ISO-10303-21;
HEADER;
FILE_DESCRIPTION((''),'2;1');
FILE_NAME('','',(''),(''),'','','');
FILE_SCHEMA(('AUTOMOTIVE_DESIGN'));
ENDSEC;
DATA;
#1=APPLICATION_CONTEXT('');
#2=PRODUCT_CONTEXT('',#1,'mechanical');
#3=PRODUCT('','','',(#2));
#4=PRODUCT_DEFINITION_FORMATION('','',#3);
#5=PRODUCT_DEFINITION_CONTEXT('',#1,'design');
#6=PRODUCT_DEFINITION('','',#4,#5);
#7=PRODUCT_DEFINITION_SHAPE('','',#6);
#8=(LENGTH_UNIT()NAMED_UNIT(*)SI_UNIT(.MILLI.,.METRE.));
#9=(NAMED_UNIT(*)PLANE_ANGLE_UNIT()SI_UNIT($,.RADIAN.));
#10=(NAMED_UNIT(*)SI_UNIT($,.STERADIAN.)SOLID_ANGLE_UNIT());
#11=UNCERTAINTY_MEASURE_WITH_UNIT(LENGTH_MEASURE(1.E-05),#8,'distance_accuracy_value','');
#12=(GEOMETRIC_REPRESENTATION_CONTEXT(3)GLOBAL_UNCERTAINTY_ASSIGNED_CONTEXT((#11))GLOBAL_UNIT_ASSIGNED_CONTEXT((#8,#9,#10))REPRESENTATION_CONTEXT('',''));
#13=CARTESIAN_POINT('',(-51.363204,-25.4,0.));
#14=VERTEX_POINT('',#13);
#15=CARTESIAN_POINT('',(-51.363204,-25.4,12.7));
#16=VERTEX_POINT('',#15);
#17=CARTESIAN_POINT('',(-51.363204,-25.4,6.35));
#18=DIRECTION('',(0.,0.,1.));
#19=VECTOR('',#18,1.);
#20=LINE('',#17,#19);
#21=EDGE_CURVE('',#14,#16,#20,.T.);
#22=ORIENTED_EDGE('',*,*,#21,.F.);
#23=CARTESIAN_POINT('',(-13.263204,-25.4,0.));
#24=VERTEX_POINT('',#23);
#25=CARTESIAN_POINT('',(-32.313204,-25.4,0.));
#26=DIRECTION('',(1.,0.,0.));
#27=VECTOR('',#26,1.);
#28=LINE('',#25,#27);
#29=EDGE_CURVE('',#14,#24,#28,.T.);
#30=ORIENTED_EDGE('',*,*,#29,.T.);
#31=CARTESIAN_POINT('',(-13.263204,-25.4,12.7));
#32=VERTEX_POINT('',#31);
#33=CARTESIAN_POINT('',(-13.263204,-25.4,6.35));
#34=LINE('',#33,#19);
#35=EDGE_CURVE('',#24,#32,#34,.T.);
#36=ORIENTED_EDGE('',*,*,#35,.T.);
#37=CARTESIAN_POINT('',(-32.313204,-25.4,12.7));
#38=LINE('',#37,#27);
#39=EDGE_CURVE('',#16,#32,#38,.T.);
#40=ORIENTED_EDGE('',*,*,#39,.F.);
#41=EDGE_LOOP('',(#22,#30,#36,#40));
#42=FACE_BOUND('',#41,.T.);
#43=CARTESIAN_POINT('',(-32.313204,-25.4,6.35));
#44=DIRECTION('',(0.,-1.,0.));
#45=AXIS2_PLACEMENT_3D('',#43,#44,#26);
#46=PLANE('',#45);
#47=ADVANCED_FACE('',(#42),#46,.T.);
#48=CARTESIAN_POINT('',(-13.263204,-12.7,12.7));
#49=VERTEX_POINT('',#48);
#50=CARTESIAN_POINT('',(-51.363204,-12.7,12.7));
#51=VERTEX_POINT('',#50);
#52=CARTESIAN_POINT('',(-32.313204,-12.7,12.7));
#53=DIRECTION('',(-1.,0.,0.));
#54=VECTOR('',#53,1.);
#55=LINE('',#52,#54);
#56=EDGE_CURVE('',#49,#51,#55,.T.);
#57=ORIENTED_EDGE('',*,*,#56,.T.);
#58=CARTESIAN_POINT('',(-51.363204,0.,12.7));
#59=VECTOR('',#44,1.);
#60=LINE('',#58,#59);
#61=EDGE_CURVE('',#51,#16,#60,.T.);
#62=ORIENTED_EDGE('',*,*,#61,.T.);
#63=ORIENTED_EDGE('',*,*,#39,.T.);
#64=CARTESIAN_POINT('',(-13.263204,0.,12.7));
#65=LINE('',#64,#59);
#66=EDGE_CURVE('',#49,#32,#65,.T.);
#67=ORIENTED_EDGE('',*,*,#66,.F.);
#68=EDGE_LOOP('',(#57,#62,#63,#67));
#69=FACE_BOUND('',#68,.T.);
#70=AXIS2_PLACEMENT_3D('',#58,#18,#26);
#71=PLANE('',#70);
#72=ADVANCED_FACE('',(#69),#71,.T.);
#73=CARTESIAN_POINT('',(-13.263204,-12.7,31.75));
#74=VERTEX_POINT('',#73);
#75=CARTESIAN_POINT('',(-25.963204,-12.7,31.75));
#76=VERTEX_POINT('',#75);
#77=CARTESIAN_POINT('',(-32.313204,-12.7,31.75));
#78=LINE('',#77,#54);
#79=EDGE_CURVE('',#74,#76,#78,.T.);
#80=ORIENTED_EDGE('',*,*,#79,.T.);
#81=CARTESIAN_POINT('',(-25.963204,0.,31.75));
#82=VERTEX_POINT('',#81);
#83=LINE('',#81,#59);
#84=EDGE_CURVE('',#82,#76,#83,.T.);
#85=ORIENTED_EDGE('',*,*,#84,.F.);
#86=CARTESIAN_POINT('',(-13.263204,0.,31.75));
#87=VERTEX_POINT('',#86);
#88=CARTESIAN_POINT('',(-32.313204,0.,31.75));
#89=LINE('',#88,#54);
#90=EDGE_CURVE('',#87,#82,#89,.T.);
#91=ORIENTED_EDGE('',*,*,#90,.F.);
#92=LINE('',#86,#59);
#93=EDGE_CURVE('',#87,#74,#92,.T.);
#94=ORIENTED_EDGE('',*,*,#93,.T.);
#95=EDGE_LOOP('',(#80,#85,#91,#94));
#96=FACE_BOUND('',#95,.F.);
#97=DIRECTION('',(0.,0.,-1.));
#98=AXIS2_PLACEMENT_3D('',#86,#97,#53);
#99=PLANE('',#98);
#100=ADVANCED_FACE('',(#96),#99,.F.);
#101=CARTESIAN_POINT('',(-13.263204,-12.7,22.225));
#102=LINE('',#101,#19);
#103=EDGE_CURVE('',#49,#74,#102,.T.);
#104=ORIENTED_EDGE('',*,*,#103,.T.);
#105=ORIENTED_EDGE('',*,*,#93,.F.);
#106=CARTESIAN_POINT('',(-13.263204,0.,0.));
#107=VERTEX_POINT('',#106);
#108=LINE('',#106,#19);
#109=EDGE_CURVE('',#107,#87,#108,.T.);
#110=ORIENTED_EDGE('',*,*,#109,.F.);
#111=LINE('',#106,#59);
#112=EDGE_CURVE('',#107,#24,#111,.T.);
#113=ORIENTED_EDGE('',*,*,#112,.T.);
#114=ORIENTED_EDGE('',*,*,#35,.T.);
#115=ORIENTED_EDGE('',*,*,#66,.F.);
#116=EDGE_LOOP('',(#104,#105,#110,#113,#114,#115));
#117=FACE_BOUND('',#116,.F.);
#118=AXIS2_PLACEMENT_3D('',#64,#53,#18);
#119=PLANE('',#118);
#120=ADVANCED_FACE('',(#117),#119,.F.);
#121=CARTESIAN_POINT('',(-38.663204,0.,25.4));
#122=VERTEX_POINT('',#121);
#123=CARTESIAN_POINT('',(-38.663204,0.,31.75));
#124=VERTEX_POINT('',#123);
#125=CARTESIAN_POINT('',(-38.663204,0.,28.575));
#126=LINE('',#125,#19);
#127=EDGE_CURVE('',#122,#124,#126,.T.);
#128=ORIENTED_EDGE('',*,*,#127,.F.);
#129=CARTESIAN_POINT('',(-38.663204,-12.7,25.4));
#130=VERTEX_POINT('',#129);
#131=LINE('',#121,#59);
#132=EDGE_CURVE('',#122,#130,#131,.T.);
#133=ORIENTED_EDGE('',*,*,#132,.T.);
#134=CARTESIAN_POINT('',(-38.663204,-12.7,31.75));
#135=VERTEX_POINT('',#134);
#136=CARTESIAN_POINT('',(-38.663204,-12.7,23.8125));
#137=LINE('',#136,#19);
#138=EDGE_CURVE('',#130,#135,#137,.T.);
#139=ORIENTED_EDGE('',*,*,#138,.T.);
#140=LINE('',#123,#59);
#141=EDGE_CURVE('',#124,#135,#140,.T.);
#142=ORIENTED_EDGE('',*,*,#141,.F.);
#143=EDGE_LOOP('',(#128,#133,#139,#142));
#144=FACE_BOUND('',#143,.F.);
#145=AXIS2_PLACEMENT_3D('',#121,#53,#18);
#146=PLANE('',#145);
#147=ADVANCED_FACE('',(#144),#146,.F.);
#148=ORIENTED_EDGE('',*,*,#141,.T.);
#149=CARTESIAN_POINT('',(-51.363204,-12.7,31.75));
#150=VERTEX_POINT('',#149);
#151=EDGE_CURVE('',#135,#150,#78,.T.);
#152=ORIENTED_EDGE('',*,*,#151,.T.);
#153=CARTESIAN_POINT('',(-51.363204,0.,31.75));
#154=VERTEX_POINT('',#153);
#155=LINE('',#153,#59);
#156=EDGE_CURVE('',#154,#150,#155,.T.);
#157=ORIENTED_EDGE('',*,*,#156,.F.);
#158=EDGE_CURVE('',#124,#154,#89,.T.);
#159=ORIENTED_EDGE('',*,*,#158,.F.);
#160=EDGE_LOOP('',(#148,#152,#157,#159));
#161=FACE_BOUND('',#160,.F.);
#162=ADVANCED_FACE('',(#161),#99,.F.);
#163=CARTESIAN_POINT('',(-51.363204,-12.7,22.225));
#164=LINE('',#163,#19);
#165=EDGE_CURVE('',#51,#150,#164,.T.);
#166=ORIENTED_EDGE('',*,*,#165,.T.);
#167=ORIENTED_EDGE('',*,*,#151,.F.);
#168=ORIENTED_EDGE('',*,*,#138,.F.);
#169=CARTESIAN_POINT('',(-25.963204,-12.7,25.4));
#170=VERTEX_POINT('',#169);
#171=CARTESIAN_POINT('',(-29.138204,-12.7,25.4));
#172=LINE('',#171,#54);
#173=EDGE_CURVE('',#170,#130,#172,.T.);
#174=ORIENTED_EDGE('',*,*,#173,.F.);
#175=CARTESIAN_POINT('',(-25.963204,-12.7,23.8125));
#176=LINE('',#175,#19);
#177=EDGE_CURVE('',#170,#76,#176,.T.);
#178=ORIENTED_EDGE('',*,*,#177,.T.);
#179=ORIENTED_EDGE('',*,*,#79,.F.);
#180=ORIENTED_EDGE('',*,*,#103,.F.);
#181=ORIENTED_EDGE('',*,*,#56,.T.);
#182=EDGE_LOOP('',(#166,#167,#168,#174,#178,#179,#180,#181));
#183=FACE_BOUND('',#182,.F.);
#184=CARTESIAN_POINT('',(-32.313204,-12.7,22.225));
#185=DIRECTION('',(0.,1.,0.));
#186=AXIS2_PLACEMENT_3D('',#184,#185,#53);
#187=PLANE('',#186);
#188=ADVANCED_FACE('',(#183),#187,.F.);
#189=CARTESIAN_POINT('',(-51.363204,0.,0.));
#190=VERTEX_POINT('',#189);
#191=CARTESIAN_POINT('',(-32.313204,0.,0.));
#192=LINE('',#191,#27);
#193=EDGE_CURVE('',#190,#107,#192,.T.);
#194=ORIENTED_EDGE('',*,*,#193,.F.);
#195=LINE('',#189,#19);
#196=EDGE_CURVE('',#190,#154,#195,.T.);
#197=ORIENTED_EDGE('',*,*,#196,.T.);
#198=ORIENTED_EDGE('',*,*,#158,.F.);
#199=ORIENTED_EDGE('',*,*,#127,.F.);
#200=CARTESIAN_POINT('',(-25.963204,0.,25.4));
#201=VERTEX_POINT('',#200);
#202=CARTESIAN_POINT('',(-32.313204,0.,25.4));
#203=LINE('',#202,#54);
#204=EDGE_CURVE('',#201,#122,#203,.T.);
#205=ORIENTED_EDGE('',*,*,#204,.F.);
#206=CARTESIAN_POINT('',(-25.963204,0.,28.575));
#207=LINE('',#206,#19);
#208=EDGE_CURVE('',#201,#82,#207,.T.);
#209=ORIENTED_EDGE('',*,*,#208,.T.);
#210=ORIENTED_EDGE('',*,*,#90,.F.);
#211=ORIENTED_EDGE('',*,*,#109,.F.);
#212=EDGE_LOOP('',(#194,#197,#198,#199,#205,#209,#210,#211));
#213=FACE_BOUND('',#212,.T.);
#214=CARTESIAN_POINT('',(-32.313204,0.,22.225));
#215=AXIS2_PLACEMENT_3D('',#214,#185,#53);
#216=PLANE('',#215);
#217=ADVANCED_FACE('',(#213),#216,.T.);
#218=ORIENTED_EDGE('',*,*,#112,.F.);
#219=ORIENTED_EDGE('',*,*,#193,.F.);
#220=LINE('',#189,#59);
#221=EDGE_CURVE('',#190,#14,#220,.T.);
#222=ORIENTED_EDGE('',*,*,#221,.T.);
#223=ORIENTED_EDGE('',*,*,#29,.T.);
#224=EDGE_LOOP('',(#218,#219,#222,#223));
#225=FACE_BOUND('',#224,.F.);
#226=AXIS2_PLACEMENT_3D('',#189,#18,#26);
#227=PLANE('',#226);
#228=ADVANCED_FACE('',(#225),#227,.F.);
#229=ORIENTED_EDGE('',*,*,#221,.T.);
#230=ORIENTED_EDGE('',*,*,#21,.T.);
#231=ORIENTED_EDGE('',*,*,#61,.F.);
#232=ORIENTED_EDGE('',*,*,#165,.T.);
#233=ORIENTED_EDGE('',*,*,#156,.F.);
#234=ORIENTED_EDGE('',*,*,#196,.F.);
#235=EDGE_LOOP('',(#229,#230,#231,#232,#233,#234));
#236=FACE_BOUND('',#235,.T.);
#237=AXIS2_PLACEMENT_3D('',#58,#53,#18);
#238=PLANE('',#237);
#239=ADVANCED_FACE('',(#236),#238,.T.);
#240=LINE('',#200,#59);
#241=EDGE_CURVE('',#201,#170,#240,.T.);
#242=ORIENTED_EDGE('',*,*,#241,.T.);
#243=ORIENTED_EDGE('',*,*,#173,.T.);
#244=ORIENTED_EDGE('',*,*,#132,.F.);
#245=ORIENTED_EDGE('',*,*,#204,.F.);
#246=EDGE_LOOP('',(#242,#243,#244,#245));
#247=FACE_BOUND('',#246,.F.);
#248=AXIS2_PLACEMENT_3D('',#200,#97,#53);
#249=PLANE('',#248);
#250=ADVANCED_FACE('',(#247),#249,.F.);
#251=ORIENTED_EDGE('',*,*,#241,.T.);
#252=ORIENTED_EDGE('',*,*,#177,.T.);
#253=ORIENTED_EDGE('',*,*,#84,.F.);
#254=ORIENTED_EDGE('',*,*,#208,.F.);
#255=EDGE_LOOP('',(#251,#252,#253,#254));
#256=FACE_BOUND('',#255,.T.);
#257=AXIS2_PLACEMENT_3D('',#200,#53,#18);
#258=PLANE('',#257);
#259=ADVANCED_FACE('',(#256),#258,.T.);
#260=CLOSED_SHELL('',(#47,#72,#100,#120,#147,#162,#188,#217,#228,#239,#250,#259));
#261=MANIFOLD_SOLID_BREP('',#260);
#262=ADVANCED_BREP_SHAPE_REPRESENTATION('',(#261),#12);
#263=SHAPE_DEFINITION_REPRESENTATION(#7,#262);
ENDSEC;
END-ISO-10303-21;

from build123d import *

# Parameters (mm, degrees)
F0_W     = 38.1
F0_H     = 12.7
F1_DEPTH = 25.4
F2_W     = 38.1
F2_H     = 19.05
F3_DEPTH = 12.7
F4_W     = 12.7
F4_H     = 6.35
F5_DEPTH = 25.4


with BuildPart() as f1:
    # F0 (on Front) → F1 (new body)
    with BuildSketch(Plane.XZ):
        with Locations((-32.313204, 6.35)):
            Rectangle(F0_W, F0_H)
    extrude(amount=F1_DEPTH)

    # F2 (on face) → F3 (join)
    with BuildSketch(Plane(origin=(0, 0, 0), x_dir=(-1, 0, 0), z_dir=(0, 1, 0))):
        with Locations((32.313204, 22.225)):
            Rectangle(F2_W, F2_H)
    extrude(amount=-F3_DEPTH)

    # F4 (on face) → F5 (cut)
    with BuildSketch(Plane(origin=(0, 0, 0), x_dir=(-1, 0, 0), z_dir=(0, 1, 0))):
        with Locations((32.313204, 28.575)):
            Rectangle(F4_W, F4_H)
    extrude(amount=-F5_DEPTH, mode=Mode.SUBTRACT)


solid = f1.part
